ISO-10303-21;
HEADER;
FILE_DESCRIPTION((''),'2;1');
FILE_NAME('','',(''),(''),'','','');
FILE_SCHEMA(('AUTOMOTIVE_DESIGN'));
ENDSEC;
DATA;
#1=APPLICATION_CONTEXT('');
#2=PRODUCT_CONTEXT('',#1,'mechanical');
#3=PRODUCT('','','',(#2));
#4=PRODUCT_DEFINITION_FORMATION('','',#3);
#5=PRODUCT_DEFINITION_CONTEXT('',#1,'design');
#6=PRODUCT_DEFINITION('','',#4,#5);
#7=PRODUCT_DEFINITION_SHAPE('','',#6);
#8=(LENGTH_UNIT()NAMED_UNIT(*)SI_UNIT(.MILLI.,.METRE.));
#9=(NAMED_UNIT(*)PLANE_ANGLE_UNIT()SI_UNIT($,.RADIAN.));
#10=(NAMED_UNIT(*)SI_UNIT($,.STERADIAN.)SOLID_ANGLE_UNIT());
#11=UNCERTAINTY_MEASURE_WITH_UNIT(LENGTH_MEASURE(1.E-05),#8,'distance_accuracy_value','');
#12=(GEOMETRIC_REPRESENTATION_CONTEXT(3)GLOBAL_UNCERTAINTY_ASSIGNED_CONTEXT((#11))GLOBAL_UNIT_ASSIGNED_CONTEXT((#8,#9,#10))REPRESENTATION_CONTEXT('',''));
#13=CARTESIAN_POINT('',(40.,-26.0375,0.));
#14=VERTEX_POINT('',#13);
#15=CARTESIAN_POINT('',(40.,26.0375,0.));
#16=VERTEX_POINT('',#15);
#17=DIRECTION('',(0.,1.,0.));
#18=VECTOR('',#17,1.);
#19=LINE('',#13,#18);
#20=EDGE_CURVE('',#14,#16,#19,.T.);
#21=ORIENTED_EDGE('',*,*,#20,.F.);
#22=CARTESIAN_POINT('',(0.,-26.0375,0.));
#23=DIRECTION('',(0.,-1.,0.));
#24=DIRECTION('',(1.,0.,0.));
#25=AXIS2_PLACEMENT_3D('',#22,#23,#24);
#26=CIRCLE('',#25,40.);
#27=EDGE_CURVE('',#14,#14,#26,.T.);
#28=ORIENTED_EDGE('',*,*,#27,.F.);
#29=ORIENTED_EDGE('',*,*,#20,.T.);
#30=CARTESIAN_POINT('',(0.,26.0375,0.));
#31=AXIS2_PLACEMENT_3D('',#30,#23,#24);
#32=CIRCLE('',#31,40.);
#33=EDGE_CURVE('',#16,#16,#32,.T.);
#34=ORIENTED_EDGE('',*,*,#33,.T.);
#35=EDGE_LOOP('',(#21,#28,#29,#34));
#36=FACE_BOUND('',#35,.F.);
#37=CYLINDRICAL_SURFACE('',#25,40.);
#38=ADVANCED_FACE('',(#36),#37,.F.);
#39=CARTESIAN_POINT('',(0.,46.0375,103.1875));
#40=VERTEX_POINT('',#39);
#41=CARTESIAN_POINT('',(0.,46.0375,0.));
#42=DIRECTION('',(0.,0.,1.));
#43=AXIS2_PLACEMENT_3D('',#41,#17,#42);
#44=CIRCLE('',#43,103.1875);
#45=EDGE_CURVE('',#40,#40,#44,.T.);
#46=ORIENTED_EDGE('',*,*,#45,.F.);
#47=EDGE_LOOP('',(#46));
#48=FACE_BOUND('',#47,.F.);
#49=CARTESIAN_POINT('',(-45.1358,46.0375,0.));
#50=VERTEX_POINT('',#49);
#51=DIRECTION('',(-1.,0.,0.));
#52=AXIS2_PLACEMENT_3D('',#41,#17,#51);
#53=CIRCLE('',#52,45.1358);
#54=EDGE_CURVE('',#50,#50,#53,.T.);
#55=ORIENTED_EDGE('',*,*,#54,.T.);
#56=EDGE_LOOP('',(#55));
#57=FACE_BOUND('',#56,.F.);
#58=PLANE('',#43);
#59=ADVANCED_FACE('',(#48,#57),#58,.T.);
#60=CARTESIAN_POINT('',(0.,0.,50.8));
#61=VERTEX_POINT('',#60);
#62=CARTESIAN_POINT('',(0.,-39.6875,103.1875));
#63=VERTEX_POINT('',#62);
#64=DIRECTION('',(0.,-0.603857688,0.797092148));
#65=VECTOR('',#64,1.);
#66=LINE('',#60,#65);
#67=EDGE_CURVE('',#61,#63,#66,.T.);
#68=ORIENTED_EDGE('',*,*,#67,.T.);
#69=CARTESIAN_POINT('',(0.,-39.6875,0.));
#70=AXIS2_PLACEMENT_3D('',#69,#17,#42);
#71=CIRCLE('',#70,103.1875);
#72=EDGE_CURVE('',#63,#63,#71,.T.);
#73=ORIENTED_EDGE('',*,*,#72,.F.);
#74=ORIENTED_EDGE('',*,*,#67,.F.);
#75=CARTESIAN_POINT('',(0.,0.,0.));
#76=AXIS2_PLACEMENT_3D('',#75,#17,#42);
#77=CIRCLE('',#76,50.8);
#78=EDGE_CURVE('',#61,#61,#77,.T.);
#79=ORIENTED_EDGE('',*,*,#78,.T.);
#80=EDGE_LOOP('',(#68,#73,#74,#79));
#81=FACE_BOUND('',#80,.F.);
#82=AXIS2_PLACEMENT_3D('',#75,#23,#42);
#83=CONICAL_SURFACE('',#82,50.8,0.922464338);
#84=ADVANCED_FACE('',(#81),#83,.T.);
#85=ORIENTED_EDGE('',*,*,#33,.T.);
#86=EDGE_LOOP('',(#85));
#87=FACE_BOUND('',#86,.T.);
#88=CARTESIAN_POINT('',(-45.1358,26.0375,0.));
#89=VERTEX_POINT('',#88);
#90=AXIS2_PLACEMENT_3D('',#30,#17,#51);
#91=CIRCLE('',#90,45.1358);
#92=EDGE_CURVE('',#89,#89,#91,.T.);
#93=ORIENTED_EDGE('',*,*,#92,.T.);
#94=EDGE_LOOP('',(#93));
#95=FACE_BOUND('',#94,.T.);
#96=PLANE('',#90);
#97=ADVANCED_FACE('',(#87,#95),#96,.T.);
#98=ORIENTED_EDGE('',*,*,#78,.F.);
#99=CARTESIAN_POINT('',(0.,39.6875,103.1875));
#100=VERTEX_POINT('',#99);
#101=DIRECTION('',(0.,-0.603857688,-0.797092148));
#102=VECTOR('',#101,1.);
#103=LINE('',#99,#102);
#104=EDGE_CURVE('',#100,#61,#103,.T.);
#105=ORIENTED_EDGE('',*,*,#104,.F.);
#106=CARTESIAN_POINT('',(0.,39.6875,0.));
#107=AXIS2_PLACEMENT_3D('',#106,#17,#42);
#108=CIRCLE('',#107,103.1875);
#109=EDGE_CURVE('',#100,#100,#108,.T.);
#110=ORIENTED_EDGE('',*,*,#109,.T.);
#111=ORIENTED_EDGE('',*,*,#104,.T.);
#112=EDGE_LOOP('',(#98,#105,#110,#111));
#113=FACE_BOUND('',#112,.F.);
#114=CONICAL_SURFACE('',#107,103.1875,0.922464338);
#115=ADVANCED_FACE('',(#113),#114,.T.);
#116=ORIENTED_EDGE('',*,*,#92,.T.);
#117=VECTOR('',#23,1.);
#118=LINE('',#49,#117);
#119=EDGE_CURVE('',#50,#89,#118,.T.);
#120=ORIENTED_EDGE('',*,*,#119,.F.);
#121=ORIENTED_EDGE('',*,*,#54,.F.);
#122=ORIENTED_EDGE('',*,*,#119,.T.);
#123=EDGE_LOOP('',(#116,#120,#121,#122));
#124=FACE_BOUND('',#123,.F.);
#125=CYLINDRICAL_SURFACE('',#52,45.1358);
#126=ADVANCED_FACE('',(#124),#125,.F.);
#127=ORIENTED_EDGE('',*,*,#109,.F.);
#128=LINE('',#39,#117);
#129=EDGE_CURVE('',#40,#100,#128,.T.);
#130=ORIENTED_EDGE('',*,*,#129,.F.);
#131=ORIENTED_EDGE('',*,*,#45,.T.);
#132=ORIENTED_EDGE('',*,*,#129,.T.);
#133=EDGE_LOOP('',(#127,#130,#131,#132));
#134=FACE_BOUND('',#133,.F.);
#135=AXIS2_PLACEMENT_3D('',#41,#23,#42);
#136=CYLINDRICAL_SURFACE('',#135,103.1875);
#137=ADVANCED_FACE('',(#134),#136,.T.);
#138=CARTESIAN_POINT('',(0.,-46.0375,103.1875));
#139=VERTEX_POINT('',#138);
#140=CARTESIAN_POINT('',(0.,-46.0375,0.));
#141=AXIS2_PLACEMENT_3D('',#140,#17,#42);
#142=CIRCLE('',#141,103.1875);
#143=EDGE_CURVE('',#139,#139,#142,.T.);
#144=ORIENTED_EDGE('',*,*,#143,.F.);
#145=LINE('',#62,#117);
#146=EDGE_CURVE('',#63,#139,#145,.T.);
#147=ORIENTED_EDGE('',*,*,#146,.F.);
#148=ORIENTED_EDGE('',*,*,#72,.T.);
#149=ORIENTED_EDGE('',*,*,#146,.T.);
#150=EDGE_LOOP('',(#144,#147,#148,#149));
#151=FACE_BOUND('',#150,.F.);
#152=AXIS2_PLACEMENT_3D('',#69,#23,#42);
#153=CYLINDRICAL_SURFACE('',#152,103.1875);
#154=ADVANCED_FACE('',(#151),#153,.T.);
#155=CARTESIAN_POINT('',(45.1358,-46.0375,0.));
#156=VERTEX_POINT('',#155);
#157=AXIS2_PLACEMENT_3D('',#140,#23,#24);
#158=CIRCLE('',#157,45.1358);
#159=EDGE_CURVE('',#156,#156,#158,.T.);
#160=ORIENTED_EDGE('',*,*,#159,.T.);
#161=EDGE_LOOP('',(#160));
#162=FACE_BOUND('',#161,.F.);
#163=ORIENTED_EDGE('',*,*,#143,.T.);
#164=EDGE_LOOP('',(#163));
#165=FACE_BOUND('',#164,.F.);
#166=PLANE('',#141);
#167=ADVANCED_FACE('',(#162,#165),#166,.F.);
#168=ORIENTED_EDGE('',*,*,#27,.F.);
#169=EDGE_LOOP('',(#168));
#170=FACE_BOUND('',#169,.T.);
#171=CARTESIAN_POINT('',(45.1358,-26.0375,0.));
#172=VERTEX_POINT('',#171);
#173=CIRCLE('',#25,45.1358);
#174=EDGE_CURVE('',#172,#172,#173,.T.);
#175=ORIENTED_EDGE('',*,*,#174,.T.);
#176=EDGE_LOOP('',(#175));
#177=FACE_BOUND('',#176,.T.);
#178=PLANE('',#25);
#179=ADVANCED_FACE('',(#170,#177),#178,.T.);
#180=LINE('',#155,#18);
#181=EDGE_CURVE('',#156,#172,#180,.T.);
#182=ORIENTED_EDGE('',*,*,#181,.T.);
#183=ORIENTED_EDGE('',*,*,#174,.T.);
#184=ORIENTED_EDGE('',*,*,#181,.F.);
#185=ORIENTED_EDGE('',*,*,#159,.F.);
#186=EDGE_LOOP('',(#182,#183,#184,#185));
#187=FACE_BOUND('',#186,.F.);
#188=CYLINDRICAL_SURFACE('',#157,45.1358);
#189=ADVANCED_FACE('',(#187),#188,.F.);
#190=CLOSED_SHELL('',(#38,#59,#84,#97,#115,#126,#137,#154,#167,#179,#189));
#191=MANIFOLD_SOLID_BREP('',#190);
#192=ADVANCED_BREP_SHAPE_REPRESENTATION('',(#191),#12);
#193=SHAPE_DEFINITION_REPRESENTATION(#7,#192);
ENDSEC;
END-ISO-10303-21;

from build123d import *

# Parameters (mm, degrees)
F2_R     = 45.1358
F3_DEPTH = 20
F4_R     = 45.1358
F5_DEPTH = 20
F6_R     = 40
F7_DEPTH = 127


with BuildPart() as f1:
    # F0 (on Right) → F1 (revolve)
    with BuildSketch(Plane.YZ):
        Polygon((-46.0375, 0), (0, 0), (0, 50.8), (-39.6875, 103.1875), (-46.0375, 103.1875), align=None)
        Polygon((0, 0), (46.0375, 0), (46.0375, 103.1875), (39.6875, 103.1875), (0, 50.8), align=None)
    revolve(axis=Axis((0, 0, 0), (0, 1, 0)))

    # F2 (on face) → F3 (cut)
    with BuildSketch(Plane(origin=(0, 46.0375, 0), x_dir=(-1, 0, 0), z_dir=(0, 1, 0))):
        Circle(F2_R)
    extrude(amount=-F3_DEPTH, mode=Mode.SUBTRACT)

    # F4 (on face) → F5 (cut)
    with BuildSketch(Plane.XZ.offset(46.0375)):
        Circle(F4_R)
    extrude(amount=-F5_DEPTH, mode=Mode.SUBTRACT)

    # F6 (on face) → F7 (cut)
    with BuildSketch(Plane.XZ.offset(26.0375)):
        Circle(F6_R)
    extrude(amount=-F7_DEPTH, mode=Mode.SUBTRACT)


solid = f1.part
